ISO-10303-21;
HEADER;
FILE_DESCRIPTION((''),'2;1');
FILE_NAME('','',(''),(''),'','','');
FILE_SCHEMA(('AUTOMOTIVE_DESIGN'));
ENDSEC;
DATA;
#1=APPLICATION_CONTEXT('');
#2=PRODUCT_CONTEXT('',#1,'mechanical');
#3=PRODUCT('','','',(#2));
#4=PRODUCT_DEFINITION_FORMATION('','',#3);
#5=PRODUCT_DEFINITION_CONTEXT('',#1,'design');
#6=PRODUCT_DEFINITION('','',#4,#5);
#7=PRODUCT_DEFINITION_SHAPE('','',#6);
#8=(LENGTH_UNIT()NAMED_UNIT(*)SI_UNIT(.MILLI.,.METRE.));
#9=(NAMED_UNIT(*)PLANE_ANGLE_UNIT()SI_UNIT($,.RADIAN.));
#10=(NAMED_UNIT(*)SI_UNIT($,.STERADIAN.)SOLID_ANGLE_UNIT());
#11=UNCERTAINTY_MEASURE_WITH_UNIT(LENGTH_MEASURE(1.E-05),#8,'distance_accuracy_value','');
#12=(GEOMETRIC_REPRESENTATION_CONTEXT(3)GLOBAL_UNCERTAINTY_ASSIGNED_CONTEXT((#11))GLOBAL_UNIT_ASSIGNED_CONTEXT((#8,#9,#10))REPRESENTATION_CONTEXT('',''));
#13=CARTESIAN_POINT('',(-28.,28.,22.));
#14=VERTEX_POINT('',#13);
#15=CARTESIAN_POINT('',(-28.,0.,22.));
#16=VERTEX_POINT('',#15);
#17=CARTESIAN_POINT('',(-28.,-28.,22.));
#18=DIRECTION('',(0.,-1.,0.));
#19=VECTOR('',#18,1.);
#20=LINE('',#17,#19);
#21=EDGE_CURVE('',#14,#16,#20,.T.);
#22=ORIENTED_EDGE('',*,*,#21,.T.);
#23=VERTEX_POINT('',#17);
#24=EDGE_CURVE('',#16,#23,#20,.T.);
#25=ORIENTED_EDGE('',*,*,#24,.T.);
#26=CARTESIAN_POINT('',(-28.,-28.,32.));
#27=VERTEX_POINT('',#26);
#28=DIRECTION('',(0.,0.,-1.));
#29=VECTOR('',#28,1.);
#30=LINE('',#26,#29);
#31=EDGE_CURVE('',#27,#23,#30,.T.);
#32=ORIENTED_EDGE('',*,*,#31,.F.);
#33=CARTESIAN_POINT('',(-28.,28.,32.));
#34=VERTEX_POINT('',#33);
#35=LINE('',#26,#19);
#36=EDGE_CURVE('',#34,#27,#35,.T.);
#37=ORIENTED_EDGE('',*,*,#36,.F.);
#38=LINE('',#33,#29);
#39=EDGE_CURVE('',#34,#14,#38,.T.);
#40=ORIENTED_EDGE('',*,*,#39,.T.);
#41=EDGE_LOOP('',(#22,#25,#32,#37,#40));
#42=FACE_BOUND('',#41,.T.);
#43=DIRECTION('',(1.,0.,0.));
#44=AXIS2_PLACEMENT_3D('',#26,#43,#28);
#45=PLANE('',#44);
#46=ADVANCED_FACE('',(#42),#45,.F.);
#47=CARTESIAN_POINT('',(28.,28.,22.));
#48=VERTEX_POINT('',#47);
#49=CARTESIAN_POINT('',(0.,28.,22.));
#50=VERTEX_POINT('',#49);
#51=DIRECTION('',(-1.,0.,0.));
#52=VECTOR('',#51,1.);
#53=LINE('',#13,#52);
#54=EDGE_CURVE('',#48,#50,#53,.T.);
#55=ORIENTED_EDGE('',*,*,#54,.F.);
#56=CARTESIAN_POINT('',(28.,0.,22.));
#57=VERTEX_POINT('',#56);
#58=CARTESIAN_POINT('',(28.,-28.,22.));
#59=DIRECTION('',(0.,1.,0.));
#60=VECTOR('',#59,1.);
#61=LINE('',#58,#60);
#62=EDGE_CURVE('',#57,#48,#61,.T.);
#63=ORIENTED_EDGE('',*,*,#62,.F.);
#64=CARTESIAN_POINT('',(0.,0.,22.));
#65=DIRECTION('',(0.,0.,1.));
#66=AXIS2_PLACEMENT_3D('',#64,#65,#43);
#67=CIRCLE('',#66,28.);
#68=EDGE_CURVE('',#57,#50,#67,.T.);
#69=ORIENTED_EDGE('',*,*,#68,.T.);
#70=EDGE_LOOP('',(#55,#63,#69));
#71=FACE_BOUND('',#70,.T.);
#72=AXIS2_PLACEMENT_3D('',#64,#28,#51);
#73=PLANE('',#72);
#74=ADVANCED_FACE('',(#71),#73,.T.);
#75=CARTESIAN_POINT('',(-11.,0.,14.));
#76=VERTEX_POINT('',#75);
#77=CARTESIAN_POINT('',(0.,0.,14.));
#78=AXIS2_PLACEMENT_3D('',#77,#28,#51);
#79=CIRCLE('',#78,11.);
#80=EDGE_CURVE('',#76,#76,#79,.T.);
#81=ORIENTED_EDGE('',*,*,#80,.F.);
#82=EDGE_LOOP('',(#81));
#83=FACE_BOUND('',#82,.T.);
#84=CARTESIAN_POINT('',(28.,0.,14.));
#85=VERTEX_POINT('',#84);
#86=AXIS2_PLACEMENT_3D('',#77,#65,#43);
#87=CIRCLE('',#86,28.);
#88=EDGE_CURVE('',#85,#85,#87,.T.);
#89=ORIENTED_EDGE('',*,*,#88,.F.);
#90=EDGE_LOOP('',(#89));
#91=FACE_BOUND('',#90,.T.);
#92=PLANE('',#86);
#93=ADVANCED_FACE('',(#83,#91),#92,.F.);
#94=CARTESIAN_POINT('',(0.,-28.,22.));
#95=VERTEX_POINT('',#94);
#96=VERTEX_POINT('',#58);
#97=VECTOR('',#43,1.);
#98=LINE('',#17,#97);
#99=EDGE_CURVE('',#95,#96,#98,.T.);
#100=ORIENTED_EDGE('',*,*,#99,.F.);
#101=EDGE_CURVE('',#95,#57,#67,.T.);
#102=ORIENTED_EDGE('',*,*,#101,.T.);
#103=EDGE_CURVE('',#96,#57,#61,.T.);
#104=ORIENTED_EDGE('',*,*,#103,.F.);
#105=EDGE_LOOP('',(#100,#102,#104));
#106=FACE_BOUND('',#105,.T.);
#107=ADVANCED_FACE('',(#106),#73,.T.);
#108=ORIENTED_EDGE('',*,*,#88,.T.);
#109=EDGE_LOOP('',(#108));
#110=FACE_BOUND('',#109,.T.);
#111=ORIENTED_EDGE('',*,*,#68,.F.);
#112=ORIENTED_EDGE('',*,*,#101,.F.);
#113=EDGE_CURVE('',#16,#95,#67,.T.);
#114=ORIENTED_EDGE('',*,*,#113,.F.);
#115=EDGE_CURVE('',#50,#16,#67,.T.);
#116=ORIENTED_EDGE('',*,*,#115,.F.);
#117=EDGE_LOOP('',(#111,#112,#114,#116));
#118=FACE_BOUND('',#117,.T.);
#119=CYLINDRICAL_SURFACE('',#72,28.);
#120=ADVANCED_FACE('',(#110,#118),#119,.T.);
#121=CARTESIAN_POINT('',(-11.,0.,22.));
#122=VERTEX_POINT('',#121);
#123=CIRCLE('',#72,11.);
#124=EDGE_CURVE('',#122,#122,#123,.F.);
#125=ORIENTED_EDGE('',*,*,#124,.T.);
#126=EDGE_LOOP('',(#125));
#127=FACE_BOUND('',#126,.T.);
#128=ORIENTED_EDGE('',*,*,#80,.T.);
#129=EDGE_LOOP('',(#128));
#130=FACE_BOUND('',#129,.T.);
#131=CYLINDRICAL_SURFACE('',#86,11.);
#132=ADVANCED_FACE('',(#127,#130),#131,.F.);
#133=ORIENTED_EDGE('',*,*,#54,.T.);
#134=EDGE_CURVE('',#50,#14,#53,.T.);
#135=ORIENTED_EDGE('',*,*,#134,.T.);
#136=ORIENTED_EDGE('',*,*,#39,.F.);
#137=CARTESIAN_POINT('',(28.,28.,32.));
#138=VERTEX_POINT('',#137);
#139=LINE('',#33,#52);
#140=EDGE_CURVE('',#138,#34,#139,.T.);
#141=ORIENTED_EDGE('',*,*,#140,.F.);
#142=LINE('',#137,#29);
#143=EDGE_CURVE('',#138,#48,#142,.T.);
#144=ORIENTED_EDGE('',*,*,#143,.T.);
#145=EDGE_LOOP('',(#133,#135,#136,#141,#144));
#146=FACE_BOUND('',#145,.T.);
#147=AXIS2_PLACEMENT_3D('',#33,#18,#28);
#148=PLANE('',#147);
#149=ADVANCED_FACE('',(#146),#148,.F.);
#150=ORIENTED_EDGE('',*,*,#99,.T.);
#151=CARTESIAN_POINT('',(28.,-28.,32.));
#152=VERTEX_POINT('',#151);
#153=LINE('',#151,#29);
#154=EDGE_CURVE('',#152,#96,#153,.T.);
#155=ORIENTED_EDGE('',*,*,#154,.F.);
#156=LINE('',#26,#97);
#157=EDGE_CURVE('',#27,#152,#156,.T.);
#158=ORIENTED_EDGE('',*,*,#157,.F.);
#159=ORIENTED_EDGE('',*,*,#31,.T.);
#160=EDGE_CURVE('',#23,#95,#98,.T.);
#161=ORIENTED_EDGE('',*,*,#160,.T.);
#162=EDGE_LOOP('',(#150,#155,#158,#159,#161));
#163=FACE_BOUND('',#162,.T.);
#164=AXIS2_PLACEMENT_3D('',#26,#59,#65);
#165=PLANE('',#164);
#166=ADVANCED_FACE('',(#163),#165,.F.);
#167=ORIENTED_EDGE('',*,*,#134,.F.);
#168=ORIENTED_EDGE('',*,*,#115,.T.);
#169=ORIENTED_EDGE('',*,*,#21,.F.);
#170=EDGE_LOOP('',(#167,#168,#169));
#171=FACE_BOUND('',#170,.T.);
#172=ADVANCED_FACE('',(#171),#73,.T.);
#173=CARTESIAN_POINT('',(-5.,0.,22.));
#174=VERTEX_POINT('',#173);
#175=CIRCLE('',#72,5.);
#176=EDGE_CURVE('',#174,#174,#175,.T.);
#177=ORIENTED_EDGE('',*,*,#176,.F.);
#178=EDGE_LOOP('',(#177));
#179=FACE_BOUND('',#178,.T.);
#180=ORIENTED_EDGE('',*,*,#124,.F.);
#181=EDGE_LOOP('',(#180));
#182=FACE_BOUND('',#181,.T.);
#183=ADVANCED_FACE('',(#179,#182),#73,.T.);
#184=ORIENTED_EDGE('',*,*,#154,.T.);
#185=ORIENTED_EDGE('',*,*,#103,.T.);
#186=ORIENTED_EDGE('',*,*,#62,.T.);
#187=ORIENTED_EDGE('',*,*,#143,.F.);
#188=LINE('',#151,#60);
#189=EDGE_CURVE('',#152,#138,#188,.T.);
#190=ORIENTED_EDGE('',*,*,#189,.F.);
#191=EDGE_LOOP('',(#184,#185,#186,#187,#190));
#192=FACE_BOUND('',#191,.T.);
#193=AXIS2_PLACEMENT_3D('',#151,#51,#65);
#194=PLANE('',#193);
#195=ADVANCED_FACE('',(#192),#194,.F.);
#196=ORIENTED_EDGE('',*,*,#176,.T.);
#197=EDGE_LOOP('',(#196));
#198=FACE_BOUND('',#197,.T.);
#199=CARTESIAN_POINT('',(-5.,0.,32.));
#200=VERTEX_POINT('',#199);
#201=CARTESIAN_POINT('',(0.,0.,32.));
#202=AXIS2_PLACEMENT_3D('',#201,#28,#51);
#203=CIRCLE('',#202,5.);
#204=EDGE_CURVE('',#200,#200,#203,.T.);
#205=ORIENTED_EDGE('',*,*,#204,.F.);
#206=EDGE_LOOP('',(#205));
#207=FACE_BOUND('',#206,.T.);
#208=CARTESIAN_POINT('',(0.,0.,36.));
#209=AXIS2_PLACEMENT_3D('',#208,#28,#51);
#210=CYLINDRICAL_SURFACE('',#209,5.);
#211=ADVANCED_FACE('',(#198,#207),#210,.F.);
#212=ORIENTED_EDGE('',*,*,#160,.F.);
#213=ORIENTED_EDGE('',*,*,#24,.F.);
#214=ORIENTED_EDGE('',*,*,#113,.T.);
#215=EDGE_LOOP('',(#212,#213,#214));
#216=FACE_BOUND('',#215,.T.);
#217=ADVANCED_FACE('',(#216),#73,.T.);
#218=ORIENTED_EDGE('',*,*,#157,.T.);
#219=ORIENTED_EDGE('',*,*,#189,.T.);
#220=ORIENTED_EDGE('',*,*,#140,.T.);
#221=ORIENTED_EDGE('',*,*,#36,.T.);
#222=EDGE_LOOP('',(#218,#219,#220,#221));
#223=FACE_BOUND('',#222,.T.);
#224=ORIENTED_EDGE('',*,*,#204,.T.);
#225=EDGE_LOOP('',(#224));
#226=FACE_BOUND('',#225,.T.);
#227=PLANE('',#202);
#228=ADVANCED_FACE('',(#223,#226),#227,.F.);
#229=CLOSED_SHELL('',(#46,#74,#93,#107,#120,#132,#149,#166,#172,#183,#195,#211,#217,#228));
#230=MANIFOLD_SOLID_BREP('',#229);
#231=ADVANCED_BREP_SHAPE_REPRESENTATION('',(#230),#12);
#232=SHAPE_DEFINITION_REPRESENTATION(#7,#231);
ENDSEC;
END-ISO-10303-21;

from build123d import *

# Parameters (mm, degrees)
SKETCH1_R           = 28
SKETCH1_R_2         = 18
BOSS_EXTRUDE1_DEPTH = 22
SKETCH2_W           = 56
SKETCH2_H           = 56
BOSS_EXTRUDE2_DEPTH = 10
SKETCH3_W           = 56
SKETCH3_H           = 60.095758966
CUT_EXTRUDE1_DEPTH  = 14
SKETCH4_R           = 5
CUT_EXTRUDE2_DEPTH  = 14
SKETCH5_R           = 21.225012464
SKETCH5_R_2         = 11
BOSS_EXTRUDE3_DEPTH = 8


with BuildPart() as part:
    # Sketch1 → Boss-Extrude1 (new body)
    with BuildSketch(Plane.XY):
        Circle(SKETCH1_R)
        Circle(SKETCH1_R_2, mode=Mode.SUBTRACT)
    extrude(amount=BOSS_EXTRUDE1_DEPTH)

    # Sketch2 → Boss-Extrude2 (add)
    with BuildSketch(Plane.XY.offset(22)):
        Rectangle(SKETCH2_W, SKETCH2_H)
    extrude(amount=BOSS_EXTRUDE2_DEPTH)

    # Sketch3 → Cut-Extrude1 (cut)
    with BuildSketch(Plane(origin=(0, 0, 0), x_dir=(-1, 0, 0), z_dir=(0, 0, -1))):
        with Locations((0, 2.047879483)):
            Rectangle(SKETCH3_W, SKETCH3_H)
    extrude(amount=-CUT_EXTRUDE1_DEPTH, mode=Mode.SUBTRACT)

    # Sketch4 → Cut-Extrude2 (cut)
    with BuildSketch(Plane(origin=(0, 0, 22), x_dir=(-1, 0, 0), z_dir=(0, 0, -1))):
        Circle(SKETCH4_R)
    extrude(amount=-CUT_EXTRUDE2_DEPTH, mode=Mode.SUBTRACT)

    # Sketch5 → Boss-Extrude3 (add)
    with BuildSketch(Plane(origin=(0, 0, 22), x_dir=(-1, 0, 0), z_dir=(0, 0, -1))):
        Circle(SKETCH5_R)
        Circle(SKETCH5_R_2, mode=Mode.SUBTRACT)
    extrude(amount=BOSS_EXTRUDE3_DEPTH)


solid = part.part
